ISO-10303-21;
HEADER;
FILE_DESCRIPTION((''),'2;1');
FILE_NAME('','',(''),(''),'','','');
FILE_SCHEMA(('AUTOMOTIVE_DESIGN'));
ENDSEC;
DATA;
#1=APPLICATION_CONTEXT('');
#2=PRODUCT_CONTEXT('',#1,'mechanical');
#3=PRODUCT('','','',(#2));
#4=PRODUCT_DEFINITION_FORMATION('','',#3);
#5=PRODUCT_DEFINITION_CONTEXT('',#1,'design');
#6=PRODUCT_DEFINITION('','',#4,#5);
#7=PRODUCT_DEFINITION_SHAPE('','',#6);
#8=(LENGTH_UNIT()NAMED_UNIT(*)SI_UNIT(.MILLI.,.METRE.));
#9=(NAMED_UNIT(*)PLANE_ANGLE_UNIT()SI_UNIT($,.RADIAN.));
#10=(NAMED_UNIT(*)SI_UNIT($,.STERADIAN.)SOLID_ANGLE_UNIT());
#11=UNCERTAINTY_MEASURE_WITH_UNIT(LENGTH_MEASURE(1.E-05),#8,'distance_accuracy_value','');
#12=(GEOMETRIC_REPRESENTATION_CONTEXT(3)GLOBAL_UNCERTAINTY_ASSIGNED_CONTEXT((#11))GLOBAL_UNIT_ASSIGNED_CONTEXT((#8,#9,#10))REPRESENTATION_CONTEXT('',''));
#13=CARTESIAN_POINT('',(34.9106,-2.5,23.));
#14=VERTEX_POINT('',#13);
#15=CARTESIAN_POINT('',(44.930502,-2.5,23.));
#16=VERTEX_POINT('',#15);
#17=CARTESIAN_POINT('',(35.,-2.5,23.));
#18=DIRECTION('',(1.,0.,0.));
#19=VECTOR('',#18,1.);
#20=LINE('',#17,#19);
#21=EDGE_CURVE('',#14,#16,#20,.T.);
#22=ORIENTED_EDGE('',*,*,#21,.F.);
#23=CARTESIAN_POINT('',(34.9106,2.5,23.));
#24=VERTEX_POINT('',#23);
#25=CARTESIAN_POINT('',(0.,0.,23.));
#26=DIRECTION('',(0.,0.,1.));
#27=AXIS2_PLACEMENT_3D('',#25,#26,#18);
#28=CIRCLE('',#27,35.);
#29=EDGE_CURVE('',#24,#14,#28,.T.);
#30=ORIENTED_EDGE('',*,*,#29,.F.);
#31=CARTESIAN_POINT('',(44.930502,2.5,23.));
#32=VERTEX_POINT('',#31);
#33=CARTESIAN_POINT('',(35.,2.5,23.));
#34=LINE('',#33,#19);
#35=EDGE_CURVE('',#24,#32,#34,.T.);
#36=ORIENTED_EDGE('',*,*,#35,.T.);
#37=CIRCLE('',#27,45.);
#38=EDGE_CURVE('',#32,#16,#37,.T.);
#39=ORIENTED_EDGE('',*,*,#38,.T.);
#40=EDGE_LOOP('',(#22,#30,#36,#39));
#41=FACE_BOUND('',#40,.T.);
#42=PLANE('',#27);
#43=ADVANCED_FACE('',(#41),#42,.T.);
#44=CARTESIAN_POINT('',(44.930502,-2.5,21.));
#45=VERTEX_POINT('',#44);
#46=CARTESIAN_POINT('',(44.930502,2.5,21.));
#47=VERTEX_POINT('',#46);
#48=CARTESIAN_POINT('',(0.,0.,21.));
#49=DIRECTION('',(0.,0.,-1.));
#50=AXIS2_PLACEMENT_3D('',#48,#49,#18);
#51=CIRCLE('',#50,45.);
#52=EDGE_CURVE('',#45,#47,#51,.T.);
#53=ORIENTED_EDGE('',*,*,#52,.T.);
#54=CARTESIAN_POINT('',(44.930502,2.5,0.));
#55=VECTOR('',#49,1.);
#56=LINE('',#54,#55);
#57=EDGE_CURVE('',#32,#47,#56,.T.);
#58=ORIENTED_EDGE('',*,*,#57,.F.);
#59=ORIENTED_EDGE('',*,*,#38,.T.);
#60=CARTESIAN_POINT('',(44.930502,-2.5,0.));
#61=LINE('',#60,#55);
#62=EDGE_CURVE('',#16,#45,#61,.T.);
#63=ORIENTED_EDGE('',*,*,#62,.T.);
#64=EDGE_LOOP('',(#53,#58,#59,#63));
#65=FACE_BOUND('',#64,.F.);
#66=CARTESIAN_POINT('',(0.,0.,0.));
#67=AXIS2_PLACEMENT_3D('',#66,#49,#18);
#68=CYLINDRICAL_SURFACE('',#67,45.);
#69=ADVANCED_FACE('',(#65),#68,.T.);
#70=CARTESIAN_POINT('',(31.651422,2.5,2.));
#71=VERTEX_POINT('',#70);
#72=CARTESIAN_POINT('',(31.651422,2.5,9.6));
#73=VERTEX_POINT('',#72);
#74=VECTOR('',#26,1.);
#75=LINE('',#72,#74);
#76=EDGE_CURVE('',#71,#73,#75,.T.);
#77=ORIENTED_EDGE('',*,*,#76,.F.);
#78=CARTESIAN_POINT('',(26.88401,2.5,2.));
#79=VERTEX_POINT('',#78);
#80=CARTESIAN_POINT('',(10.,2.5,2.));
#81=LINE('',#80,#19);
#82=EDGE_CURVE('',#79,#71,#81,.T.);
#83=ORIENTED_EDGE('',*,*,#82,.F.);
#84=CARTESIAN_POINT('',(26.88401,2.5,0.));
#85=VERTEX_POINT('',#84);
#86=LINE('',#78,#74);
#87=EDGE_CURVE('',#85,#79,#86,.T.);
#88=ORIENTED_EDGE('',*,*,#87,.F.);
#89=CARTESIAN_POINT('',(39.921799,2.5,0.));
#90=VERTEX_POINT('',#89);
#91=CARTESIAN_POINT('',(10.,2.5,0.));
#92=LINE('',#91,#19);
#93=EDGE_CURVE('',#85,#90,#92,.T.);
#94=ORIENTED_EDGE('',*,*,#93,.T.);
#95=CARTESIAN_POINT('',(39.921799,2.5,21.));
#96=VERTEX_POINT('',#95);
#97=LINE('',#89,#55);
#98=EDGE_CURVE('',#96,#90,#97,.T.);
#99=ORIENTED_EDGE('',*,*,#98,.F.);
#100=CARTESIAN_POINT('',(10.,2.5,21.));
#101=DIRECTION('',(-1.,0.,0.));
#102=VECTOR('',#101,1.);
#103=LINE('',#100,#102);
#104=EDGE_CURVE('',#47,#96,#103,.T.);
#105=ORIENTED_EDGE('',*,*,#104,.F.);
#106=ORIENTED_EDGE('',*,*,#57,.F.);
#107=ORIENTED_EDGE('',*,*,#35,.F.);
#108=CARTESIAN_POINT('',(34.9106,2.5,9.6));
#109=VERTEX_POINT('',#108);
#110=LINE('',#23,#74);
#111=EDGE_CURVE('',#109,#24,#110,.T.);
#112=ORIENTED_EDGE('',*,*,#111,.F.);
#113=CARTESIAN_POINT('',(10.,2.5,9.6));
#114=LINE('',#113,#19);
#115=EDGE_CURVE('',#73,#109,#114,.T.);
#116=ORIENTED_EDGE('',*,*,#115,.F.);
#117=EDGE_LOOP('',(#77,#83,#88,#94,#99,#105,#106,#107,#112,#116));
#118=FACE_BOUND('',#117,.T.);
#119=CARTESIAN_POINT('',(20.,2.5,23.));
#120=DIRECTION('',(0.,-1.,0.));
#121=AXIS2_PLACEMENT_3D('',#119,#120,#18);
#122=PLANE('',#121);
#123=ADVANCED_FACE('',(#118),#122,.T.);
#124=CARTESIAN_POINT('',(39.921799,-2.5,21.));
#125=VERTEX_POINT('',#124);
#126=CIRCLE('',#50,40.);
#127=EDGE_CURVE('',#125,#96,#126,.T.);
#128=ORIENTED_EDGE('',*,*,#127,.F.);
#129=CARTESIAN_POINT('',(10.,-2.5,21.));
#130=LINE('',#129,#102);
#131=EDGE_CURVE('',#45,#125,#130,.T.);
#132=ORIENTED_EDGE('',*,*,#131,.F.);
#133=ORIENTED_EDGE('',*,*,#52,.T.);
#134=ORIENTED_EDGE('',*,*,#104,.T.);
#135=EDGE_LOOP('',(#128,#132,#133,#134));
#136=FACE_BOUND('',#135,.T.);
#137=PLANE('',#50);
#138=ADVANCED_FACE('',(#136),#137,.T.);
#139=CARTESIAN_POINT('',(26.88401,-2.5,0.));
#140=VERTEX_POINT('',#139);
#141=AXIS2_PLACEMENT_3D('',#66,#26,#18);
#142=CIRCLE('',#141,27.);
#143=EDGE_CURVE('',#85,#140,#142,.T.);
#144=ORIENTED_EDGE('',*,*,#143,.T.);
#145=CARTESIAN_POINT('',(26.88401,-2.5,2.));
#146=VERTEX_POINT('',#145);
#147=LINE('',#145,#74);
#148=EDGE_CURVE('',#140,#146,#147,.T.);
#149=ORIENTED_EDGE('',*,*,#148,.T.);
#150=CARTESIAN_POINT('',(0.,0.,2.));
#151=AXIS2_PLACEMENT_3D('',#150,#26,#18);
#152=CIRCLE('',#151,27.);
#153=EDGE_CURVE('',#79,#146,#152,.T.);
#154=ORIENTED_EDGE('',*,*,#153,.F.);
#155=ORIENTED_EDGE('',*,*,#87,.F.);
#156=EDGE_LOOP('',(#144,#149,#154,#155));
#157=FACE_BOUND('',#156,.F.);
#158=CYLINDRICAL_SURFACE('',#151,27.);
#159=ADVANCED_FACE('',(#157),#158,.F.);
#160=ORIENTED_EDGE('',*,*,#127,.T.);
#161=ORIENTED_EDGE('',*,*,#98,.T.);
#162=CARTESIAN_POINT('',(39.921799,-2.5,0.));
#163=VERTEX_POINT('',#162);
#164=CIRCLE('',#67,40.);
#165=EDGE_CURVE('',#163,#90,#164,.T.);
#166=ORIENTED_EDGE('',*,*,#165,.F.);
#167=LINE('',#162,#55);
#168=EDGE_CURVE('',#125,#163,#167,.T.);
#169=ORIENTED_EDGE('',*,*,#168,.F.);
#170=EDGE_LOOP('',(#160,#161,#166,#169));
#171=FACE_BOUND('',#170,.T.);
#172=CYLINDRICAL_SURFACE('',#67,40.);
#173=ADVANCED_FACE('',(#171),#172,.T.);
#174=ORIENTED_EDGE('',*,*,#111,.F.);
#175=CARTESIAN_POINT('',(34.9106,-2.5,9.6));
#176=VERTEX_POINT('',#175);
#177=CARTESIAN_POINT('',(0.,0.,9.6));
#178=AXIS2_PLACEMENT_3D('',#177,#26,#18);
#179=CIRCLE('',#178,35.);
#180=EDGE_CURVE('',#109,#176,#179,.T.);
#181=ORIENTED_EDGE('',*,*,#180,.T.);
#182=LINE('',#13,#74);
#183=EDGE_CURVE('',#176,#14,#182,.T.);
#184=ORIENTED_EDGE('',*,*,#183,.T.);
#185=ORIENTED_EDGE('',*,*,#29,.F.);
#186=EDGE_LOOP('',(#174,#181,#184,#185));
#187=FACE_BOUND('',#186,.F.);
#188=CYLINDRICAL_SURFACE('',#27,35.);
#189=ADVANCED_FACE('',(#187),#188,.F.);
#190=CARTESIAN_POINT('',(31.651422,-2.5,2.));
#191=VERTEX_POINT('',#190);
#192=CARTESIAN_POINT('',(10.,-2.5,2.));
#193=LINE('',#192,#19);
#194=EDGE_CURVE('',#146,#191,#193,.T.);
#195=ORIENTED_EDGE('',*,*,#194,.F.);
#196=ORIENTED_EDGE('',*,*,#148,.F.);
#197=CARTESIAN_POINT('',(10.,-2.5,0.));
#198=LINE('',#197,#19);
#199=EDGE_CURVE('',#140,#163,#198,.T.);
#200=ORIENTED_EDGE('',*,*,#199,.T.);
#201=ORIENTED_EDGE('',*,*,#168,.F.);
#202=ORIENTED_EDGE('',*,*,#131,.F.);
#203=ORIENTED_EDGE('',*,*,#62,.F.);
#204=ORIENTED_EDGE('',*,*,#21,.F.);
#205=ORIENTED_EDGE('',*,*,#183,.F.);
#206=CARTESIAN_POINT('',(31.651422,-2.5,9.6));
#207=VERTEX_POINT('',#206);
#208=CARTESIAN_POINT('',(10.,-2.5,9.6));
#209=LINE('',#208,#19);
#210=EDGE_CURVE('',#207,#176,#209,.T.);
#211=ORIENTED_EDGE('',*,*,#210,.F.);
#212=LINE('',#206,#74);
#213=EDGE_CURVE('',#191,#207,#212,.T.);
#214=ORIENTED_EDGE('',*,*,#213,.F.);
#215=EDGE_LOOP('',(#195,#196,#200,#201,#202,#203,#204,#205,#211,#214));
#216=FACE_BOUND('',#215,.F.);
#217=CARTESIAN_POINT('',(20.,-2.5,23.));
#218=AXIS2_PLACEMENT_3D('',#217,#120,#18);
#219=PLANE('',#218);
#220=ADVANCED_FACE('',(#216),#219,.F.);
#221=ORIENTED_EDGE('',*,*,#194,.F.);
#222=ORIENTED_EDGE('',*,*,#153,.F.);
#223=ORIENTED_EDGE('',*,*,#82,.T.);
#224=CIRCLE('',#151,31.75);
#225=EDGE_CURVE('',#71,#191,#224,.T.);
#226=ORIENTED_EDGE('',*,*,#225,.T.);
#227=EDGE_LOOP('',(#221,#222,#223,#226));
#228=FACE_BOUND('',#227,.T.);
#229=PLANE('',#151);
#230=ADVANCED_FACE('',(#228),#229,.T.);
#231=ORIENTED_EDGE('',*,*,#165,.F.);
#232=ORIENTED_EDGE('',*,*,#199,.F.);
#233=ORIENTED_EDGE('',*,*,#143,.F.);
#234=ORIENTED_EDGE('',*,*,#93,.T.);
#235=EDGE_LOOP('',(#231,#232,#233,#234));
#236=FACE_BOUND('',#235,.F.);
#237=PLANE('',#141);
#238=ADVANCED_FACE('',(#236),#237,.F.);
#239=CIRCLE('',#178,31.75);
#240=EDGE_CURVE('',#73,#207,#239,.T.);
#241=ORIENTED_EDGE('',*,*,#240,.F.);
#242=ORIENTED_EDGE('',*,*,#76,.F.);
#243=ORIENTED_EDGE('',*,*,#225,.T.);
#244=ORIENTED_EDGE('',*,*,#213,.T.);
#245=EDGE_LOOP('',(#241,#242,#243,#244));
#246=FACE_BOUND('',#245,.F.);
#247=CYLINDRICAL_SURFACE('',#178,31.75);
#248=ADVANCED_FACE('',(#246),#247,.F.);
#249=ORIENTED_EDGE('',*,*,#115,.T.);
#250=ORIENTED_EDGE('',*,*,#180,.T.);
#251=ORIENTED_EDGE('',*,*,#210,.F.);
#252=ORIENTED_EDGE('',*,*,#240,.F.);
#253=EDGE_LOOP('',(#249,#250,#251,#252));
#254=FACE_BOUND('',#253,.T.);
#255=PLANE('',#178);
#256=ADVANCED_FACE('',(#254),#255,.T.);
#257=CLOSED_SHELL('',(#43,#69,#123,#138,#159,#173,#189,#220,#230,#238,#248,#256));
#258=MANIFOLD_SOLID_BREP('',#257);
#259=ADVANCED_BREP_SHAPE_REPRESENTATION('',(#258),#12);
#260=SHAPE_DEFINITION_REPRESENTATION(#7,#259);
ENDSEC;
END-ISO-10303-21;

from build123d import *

# Parameters (mm, degrees)
F0_R      = 45
F1_DEPTH  = 23
F2_R      = 35
F3_DEPTH  = 13.4
F4_R      = 31.75
F5_DEPTH  = 7.6
F6_R      = 27
F7_DEPTH  = 2.001
F8_R      = 45
F8_R_2    = 40
F9_DEPTH  = 21
F10_W     = 30
F10_H     = 5
F11_DEPTH = 23.001


with BuildPart() as f1:
    # F0 (on Top) → F1 (new body)
    with BuildSketch(Plane.XY):
        Circle(F0_R)
    extrude(amount=F1_DEPTH)

    # F2 (on face) → F3 (cut)
    with BuildSketch(Plane.XY.offset(23)):
        Circle(F2_R)
    extrude(amount=-F3_DEPTH, mode=Mode.SUBTRACT)

    # F4 (on face) → F5 (cut)
    with BuildSketch(Plane.XY.offset(9.6)):
        Circle(F4_R)
    extrude(amount=-F5_DEPTH, mode=Mode.SUBTRACT)

    # F6 (on face) → F7 (cut, through all)
    with BuildSketch(Plane.XY.offset(2)):
        Circle(F6_R)
    extrude(amount=-F7_DEPTH, mode=Mode.SUBTRACT)

    # F8 (on face) → F9 (cut)
    with BuildSketch(Plane(origin=(0, 0, 0), x_dir=(1, 0, 0), z_dir=(0, 0, -1))):
        Circle(F8_R)
        Circle(F8_R_2, mode=Mode.SUBTRACT)
    extrude(amount=-F9_DEPTH, mode=Mode.SUBTRACT)

    # F10 (on face) → F11 (cut, through all)
    with BuildSketch(Plane.XY.offset(23)):
        with Locations((35, 0)):
            Rectangle(F10_W, F10_H)
    extrude(amount=-F11_DEPTH, mode=Mode.SUBTRACT)


solid = f1.part
